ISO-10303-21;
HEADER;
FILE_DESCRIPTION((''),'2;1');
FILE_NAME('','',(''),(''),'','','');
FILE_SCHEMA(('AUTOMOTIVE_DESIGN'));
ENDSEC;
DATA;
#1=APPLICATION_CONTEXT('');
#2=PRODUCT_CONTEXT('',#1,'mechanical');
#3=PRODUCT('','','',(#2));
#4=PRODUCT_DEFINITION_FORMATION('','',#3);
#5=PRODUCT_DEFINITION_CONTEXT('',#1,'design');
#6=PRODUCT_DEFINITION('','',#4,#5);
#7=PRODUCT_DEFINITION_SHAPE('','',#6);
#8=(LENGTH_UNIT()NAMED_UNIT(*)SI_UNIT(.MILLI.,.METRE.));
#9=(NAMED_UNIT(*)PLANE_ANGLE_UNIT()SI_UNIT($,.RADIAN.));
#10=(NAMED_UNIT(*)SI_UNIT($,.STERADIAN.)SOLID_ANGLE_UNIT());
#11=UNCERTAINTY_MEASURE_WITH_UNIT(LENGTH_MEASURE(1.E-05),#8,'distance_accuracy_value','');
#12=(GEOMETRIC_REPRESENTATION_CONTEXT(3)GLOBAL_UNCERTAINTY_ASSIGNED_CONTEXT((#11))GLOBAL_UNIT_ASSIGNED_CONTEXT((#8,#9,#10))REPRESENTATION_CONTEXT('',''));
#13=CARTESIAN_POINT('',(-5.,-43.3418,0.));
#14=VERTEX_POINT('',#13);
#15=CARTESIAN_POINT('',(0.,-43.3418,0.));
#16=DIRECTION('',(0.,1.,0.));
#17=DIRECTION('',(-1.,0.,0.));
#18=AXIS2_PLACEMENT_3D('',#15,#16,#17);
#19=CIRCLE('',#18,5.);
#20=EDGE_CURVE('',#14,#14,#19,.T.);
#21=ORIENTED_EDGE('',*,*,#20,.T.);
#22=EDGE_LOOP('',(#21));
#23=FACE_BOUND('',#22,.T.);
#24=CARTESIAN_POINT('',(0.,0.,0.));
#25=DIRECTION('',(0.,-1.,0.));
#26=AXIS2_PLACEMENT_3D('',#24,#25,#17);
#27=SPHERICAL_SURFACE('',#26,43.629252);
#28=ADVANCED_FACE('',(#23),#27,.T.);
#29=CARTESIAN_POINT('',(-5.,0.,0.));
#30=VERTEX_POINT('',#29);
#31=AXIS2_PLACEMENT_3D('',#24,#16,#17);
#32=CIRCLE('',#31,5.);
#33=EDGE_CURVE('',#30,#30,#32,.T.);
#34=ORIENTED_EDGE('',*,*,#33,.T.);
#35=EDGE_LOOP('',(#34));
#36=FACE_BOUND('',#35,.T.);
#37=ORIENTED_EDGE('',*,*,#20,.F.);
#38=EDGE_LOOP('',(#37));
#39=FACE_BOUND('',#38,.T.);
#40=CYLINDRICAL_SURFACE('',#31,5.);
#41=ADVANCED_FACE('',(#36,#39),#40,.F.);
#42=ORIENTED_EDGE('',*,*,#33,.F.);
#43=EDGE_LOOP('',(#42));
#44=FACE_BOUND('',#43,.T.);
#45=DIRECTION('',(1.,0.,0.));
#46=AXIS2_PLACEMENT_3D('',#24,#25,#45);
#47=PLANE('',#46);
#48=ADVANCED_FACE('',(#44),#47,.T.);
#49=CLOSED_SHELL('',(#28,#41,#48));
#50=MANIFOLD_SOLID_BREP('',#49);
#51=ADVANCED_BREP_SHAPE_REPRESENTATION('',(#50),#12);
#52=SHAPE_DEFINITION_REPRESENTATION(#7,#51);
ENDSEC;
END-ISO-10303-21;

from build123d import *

# Parameters (mm, degrees)
CROQUIS2_W = 5
CROQUIS2_H = 60


with BuildPart() as part:
    # Croquis1 → Revolución1 (revolve)
    with BuildSketch(Plane.XY):
        with BuildLine():
            Line((0, -43.629252328), (0, 43.629252328))
            ThreePointArc((0, 43.629252328), (43.629252328, 0), (0, -43.629252328))
        make_face()
    revolve(axis=Axis((0, -43.629252328, 0), (0, 1, 0)))

    # Croquis2 → Cortar-Revolución1 (revolve, cut)
    with BuildSketch(Plane.XY, mode=Mode.PRIVATE) as cortar_revoluci_n1_sk:
        with Locations((2.5, -30)):
            Rectangle(CROQUIS2_W, CROQUIS2_H)
    revolve(cortar_revoluci_n1_sk.sketch.rotate(Axis((0, 0, 0), (0, -1, 0)), 180), axis=Axis((0, 0, 0), (0, -1, 0)), mode=Mode.SUBTRACT)


solid = part.part
